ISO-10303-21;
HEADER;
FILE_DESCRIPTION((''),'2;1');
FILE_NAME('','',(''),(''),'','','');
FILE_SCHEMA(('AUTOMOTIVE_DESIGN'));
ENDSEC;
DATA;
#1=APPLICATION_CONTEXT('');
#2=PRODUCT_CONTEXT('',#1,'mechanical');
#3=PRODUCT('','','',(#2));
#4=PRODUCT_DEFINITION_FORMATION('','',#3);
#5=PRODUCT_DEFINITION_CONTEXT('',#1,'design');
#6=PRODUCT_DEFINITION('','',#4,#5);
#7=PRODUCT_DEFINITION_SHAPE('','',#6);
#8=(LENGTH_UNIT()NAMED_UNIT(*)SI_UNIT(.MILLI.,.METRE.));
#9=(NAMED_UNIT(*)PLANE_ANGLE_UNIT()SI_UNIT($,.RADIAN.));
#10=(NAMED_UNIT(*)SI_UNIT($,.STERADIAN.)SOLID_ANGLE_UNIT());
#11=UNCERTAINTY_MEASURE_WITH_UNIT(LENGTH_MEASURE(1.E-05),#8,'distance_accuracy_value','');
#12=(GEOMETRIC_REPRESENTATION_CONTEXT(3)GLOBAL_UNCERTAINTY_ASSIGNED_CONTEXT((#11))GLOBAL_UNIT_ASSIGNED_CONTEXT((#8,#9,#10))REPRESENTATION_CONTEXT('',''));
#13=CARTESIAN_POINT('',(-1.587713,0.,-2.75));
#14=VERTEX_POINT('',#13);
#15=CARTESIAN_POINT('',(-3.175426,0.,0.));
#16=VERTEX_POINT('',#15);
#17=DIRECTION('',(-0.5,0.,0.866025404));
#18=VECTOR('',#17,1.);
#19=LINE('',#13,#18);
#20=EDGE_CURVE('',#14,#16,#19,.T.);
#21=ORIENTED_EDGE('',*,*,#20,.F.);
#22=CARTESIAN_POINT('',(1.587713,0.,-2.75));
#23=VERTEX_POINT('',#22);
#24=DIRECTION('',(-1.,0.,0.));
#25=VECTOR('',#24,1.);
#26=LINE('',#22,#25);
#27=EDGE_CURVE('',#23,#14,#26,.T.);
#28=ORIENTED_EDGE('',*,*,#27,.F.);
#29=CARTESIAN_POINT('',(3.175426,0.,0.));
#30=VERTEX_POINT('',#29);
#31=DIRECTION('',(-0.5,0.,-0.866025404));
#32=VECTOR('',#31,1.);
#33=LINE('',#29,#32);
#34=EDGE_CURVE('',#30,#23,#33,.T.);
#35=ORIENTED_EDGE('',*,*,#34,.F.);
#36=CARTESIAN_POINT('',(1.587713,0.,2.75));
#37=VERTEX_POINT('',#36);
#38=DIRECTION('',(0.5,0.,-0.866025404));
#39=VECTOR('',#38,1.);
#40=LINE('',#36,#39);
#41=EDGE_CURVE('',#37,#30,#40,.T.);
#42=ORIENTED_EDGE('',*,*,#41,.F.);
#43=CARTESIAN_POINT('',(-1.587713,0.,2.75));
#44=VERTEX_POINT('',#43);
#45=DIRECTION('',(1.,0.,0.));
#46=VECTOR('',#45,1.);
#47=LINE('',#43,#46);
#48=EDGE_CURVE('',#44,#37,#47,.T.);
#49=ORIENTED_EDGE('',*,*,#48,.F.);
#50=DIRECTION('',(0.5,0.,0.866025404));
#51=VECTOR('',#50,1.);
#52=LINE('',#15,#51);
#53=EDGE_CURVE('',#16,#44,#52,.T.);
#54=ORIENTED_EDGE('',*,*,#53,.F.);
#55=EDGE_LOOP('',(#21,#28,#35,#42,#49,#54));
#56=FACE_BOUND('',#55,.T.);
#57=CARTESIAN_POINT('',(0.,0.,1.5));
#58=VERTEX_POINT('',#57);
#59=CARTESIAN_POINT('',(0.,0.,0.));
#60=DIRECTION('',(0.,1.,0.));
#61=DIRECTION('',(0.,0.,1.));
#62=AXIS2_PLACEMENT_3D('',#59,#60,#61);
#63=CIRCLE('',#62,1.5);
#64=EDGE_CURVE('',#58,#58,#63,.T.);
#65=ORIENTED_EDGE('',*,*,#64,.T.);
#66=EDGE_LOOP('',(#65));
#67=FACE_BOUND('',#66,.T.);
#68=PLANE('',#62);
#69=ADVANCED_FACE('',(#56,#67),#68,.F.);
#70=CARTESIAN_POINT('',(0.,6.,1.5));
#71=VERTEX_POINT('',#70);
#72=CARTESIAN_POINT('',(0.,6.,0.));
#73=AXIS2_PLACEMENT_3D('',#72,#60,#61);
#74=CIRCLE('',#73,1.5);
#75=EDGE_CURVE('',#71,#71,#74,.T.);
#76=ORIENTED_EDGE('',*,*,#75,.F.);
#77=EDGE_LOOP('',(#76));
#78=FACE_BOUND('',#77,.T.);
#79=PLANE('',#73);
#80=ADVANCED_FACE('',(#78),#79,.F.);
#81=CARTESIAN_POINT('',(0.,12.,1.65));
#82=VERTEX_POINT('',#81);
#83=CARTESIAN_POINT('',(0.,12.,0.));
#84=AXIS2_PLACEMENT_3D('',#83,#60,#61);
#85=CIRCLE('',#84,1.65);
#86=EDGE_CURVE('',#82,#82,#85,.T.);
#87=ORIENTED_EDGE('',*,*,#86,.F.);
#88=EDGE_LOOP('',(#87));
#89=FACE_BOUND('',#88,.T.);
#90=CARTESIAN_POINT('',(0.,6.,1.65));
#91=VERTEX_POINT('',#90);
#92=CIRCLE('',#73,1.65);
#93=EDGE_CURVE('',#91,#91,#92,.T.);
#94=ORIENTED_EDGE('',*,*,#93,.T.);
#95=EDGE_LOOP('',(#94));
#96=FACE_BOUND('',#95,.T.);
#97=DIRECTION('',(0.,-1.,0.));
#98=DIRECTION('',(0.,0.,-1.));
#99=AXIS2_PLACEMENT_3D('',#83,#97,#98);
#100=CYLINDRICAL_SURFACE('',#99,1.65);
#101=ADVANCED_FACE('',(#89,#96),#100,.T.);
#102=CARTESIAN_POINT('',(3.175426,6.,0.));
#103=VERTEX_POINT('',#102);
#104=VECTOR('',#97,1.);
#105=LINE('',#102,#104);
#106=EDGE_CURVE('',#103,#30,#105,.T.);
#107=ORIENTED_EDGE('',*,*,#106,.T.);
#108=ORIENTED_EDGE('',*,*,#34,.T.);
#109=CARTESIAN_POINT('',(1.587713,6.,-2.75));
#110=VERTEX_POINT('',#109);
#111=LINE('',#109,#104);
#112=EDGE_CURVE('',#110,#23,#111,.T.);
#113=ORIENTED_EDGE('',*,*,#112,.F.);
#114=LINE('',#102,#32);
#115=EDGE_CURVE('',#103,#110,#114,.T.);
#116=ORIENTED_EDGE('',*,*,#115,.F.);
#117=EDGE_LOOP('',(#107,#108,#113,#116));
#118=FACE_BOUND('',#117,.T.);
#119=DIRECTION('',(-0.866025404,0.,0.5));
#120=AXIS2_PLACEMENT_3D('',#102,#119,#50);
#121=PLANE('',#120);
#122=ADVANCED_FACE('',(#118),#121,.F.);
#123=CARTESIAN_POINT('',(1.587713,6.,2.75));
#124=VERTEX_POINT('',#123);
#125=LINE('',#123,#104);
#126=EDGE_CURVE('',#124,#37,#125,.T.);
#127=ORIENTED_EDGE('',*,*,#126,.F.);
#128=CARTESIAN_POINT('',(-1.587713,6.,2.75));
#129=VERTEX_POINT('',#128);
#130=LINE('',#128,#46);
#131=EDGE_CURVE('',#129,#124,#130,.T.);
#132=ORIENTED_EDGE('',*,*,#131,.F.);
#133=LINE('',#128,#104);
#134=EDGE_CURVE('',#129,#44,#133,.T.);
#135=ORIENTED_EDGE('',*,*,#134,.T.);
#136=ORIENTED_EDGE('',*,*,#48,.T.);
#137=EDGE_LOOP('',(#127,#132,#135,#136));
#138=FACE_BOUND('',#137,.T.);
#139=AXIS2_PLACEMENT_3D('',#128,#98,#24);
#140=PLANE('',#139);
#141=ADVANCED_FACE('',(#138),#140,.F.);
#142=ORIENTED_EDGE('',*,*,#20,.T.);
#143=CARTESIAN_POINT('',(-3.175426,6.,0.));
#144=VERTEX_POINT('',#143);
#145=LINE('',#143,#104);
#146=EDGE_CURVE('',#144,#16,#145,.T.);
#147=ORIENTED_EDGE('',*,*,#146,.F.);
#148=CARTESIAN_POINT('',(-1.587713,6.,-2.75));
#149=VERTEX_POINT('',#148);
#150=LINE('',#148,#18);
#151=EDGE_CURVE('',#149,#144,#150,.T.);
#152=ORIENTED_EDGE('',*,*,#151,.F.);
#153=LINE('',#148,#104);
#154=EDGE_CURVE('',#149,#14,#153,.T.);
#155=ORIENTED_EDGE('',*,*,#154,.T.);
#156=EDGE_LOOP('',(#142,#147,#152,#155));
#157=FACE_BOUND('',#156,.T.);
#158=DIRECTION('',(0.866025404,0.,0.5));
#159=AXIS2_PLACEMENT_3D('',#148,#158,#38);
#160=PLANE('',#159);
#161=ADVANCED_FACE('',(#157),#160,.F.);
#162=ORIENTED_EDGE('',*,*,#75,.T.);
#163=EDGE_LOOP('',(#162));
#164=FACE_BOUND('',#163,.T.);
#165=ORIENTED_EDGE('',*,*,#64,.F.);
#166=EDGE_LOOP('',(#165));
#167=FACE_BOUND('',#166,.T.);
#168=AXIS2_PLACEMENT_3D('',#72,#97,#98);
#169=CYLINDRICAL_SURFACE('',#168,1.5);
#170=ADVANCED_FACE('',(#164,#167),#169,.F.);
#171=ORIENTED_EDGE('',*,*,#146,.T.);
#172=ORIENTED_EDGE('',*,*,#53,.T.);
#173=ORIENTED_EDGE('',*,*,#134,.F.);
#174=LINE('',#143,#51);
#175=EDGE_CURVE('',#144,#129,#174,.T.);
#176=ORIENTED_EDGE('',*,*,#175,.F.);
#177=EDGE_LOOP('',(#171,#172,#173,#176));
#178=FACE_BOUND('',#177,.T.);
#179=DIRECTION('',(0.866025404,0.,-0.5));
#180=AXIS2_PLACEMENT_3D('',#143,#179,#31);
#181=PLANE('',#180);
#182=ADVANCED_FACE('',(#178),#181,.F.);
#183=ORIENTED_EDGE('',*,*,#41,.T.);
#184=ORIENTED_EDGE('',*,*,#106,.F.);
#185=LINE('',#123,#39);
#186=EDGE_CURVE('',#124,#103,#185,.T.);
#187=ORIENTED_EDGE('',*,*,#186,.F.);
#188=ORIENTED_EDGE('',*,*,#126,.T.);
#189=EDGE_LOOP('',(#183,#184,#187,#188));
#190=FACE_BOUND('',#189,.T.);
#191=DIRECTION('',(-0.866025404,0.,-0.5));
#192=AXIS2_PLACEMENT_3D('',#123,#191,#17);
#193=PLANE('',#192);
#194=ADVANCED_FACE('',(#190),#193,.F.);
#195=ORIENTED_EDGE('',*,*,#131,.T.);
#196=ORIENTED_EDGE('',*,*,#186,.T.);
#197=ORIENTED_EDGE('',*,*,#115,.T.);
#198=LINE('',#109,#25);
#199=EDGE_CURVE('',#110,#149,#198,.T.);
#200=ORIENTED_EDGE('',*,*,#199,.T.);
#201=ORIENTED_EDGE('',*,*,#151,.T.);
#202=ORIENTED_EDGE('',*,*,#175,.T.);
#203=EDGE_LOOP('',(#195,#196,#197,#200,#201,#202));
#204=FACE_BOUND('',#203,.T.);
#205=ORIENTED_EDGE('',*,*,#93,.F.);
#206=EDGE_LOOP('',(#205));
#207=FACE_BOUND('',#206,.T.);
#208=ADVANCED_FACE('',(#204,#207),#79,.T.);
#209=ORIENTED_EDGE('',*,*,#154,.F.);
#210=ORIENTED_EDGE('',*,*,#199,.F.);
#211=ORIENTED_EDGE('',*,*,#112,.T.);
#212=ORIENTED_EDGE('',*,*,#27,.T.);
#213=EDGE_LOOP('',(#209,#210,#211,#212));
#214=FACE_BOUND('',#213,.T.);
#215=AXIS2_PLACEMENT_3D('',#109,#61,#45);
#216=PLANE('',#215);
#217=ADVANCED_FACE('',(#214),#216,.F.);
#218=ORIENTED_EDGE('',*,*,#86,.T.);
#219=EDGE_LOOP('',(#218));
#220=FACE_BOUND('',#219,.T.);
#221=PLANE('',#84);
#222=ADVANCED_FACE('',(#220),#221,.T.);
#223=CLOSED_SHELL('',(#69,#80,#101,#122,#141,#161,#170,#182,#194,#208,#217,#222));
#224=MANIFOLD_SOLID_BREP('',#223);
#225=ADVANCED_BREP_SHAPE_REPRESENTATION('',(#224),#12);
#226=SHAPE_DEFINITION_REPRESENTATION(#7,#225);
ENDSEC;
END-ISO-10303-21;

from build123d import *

# Parameters (mm, degrees)
SKETCH1_R           = 1.5
BOSS_EXTRUDE1_DEPTH = 6
SKETCH2_R           = 1.65
BOSS_EXTRUDE2_DEPTH = 6


with BuildPart() as part:
    # Sketch1 → Boss-Extrude1 (new body)
    with BuildSketch(Plane(origin=(0, 0, 0), x_dir=(1, 0, 0), z_dir=(0, 1, 0))):
        Polygon((1.58771324, 2.75), (-1.58771324, 2.75), (-3.175426481, 0), (-1.58771324, -2.75), (1.58771324, -2.75), (3.175426481, 0), align=None)
        with Locations(Location((0, 0, 0), (0, 0, 270))):
            Circle(SKETCH1_R, mode=Mode.SUBTRACT)
    extrude(amount=BOSS_EXTRUDE1_DEPTH)

    # Sketch2 → Boss-Extrude2 (add)
    with BuildSketch(Plane(origin=(0, 6, 0), x_dir=(1, 0, 0), z_dir=(0, 1, 0))):
        with Locations(Location((0, 0, 0), (0, 0, 270))):
            Circle(SKETCH2_R)
    extrude(amount=BOSS_EXTRUDE2_DEPTH)


solid = part.part
